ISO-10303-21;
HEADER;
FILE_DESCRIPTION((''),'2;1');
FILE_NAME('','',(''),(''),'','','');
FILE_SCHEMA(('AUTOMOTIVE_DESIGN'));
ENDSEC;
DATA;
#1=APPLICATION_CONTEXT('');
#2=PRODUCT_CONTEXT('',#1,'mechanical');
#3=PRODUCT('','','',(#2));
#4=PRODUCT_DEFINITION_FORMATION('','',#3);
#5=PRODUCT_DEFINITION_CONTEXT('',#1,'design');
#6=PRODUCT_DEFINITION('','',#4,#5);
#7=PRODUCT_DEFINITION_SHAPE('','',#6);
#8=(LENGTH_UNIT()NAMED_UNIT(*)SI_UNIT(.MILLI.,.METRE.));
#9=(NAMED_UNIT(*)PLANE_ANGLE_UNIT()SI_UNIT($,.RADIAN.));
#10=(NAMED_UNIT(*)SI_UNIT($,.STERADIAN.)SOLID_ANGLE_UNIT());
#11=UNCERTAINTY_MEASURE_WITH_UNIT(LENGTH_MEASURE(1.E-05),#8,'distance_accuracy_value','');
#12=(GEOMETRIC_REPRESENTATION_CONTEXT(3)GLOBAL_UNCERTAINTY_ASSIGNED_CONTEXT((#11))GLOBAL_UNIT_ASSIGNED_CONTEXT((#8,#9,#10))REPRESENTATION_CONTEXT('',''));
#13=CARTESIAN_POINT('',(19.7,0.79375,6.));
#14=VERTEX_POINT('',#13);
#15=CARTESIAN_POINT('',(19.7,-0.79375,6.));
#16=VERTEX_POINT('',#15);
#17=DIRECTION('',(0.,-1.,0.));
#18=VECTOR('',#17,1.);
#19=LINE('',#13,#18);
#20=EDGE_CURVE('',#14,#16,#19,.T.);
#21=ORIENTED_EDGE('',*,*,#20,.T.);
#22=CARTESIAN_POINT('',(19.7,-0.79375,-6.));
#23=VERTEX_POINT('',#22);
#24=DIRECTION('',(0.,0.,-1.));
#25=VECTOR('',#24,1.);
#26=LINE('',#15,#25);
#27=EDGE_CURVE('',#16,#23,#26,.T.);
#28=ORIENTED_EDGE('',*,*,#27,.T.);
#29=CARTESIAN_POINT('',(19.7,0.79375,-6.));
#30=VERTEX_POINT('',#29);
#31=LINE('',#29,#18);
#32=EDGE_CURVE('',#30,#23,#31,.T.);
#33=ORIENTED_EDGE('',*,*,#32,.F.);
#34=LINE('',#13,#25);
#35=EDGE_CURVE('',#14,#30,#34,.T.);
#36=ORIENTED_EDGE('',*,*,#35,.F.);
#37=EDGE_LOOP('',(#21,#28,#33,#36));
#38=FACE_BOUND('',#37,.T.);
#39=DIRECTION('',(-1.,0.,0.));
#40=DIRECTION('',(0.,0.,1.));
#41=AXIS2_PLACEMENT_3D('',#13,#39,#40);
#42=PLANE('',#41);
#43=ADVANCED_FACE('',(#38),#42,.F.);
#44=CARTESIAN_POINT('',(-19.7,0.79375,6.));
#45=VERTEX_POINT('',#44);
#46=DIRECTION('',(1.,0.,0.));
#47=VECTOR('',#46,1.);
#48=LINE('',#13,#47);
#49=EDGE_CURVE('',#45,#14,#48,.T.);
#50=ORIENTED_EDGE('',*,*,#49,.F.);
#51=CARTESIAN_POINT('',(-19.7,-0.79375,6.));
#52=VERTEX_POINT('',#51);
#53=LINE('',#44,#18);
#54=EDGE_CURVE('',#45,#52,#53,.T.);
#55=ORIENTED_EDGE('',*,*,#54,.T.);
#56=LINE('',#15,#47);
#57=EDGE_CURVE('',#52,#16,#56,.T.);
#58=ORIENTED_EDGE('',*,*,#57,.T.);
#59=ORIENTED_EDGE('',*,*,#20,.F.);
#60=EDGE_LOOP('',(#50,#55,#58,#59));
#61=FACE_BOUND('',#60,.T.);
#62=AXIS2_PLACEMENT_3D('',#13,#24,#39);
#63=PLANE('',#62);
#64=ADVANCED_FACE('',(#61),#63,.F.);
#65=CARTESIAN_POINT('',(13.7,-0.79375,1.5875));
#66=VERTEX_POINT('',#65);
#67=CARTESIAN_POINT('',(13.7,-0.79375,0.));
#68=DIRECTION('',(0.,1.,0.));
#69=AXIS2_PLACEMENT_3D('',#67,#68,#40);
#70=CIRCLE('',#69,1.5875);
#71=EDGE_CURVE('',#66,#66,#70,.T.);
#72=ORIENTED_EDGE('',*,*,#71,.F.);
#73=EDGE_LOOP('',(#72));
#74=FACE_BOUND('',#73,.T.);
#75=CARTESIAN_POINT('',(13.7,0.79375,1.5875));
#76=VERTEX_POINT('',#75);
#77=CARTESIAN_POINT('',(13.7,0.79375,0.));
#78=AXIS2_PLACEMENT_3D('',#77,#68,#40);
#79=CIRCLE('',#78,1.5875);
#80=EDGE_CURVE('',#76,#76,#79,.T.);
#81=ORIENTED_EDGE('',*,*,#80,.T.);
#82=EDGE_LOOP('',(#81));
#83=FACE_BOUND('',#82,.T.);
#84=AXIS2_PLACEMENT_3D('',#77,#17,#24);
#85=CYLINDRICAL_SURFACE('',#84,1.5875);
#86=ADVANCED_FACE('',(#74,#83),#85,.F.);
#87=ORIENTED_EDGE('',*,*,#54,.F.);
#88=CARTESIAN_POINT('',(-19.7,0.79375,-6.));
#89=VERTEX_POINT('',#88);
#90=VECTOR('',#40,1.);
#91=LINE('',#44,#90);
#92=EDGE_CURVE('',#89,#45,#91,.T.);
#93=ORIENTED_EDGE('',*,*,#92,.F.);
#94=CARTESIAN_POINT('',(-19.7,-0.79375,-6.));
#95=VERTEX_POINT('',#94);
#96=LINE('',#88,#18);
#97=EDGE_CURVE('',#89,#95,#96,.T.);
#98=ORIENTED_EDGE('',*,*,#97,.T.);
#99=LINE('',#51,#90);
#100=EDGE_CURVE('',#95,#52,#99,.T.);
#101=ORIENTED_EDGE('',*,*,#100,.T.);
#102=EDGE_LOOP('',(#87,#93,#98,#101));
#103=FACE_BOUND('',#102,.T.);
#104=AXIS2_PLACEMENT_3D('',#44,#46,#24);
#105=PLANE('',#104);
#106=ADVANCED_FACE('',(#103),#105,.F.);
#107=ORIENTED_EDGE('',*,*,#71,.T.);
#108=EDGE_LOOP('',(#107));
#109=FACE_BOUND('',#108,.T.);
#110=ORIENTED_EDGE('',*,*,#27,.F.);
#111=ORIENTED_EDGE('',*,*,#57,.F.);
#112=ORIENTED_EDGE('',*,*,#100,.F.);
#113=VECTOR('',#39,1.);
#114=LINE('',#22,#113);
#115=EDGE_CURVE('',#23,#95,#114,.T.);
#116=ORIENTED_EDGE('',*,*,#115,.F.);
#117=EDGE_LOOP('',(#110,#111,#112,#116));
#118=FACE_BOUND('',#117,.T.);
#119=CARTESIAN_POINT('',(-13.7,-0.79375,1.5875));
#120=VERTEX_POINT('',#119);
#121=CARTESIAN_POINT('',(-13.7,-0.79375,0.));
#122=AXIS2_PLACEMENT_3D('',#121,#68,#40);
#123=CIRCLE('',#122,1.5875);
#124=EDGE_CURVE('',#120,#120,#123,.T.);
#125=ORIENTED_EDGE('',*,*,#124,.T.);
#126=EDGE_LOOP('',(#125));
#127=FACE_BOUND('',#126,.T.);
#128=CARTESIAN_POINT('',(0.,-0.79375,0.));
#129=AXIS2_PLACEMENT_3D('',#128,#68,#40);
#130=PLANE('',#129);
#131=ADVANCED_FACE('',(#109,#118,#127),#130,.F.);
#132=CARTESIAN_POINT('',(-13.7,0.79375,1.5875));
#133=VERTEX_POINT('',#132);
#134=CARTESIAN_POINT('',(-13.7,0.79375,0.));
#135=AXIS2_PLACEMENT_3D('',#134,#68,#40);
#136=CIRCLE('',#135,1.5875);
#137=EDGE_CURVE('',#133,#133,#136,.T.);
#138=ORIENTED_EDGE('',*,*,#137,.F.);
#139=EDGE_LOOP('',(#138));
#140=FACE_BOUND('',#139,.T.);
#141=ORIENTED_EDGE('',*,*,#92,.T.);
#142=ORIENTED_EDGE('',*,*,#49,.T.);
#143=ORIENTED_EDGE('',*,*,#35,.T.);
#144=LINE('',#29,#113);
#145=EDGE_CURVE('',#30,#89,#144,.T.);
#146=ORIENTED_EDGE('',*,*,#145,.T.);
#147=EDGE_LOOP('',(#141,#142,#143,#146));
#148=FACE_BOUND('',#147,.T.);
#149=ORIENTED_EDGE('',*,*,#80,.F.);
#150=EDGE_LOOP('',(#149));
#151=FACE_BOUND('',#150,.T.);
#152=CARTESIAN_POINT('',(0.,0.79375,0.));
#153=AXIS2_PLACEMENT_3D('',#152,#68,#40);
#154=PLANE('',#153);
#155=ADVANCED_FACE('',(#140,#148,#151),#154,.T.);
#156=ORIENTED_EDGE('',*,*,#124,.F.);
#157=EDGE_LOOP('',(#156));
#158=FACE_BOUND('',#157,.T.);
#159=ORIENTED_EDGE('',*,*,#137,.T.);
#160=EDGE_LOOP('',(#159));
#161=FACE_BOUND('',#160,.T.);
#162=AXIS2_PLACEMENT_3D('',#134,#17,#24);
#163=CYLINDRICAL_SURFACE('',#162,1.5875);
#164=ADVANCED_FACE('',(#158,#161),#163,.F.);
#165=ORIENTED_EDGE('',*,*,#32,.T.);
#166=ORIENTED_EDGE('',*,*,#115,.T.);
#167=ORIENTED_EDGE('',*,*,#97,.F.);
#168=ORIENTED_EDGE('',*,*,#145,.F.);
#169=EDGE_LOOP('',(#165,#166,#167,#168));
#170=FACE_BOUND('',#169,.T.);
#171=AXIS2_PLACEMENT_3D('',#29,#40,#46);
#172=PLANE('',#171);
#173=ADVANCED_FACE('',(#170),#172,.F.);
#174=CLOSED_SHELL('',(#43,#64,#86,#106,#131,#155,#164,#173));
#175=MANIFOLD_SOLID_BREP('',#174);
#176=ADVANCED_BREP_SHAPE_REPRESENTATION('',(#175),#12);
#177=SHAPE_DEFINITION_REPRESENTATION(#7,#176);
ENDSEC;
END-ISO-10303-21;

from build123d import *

# Parameters (mm, degrees)
SKETCH1_W           = 39.4
SKETCH1_H           = 12
SKETCH1_R           = 1.5875
BOSS_EXTRUDE1_DEPTH = 0.79375


with BuildPart() as part:
    # Sketch1 → Boss-Extrude1 (new, symmetric)
    with BuildSketch(Plane(origin=(0, 0, 0), x_dir=(1, 0, 0), z_dir=(0, 1, 0))):
        Rectangle(SKETCH1_W, SKETCH1_H)
        with Locations(Location((-13.7, 0, 0), (0, 0, 270))):
            Circle(SKETCH1_R, mode=Mode.SUBTRACT)
        with Locations(Location((13.7, 0, 0), (0, 0, 270))):
            Circle(SKETCH1_R, mode=Mode.SUBTRACT)
    extrude(amount=BOSS_EXTRUDE1_DEPTH, both=True)


solid = part.part
